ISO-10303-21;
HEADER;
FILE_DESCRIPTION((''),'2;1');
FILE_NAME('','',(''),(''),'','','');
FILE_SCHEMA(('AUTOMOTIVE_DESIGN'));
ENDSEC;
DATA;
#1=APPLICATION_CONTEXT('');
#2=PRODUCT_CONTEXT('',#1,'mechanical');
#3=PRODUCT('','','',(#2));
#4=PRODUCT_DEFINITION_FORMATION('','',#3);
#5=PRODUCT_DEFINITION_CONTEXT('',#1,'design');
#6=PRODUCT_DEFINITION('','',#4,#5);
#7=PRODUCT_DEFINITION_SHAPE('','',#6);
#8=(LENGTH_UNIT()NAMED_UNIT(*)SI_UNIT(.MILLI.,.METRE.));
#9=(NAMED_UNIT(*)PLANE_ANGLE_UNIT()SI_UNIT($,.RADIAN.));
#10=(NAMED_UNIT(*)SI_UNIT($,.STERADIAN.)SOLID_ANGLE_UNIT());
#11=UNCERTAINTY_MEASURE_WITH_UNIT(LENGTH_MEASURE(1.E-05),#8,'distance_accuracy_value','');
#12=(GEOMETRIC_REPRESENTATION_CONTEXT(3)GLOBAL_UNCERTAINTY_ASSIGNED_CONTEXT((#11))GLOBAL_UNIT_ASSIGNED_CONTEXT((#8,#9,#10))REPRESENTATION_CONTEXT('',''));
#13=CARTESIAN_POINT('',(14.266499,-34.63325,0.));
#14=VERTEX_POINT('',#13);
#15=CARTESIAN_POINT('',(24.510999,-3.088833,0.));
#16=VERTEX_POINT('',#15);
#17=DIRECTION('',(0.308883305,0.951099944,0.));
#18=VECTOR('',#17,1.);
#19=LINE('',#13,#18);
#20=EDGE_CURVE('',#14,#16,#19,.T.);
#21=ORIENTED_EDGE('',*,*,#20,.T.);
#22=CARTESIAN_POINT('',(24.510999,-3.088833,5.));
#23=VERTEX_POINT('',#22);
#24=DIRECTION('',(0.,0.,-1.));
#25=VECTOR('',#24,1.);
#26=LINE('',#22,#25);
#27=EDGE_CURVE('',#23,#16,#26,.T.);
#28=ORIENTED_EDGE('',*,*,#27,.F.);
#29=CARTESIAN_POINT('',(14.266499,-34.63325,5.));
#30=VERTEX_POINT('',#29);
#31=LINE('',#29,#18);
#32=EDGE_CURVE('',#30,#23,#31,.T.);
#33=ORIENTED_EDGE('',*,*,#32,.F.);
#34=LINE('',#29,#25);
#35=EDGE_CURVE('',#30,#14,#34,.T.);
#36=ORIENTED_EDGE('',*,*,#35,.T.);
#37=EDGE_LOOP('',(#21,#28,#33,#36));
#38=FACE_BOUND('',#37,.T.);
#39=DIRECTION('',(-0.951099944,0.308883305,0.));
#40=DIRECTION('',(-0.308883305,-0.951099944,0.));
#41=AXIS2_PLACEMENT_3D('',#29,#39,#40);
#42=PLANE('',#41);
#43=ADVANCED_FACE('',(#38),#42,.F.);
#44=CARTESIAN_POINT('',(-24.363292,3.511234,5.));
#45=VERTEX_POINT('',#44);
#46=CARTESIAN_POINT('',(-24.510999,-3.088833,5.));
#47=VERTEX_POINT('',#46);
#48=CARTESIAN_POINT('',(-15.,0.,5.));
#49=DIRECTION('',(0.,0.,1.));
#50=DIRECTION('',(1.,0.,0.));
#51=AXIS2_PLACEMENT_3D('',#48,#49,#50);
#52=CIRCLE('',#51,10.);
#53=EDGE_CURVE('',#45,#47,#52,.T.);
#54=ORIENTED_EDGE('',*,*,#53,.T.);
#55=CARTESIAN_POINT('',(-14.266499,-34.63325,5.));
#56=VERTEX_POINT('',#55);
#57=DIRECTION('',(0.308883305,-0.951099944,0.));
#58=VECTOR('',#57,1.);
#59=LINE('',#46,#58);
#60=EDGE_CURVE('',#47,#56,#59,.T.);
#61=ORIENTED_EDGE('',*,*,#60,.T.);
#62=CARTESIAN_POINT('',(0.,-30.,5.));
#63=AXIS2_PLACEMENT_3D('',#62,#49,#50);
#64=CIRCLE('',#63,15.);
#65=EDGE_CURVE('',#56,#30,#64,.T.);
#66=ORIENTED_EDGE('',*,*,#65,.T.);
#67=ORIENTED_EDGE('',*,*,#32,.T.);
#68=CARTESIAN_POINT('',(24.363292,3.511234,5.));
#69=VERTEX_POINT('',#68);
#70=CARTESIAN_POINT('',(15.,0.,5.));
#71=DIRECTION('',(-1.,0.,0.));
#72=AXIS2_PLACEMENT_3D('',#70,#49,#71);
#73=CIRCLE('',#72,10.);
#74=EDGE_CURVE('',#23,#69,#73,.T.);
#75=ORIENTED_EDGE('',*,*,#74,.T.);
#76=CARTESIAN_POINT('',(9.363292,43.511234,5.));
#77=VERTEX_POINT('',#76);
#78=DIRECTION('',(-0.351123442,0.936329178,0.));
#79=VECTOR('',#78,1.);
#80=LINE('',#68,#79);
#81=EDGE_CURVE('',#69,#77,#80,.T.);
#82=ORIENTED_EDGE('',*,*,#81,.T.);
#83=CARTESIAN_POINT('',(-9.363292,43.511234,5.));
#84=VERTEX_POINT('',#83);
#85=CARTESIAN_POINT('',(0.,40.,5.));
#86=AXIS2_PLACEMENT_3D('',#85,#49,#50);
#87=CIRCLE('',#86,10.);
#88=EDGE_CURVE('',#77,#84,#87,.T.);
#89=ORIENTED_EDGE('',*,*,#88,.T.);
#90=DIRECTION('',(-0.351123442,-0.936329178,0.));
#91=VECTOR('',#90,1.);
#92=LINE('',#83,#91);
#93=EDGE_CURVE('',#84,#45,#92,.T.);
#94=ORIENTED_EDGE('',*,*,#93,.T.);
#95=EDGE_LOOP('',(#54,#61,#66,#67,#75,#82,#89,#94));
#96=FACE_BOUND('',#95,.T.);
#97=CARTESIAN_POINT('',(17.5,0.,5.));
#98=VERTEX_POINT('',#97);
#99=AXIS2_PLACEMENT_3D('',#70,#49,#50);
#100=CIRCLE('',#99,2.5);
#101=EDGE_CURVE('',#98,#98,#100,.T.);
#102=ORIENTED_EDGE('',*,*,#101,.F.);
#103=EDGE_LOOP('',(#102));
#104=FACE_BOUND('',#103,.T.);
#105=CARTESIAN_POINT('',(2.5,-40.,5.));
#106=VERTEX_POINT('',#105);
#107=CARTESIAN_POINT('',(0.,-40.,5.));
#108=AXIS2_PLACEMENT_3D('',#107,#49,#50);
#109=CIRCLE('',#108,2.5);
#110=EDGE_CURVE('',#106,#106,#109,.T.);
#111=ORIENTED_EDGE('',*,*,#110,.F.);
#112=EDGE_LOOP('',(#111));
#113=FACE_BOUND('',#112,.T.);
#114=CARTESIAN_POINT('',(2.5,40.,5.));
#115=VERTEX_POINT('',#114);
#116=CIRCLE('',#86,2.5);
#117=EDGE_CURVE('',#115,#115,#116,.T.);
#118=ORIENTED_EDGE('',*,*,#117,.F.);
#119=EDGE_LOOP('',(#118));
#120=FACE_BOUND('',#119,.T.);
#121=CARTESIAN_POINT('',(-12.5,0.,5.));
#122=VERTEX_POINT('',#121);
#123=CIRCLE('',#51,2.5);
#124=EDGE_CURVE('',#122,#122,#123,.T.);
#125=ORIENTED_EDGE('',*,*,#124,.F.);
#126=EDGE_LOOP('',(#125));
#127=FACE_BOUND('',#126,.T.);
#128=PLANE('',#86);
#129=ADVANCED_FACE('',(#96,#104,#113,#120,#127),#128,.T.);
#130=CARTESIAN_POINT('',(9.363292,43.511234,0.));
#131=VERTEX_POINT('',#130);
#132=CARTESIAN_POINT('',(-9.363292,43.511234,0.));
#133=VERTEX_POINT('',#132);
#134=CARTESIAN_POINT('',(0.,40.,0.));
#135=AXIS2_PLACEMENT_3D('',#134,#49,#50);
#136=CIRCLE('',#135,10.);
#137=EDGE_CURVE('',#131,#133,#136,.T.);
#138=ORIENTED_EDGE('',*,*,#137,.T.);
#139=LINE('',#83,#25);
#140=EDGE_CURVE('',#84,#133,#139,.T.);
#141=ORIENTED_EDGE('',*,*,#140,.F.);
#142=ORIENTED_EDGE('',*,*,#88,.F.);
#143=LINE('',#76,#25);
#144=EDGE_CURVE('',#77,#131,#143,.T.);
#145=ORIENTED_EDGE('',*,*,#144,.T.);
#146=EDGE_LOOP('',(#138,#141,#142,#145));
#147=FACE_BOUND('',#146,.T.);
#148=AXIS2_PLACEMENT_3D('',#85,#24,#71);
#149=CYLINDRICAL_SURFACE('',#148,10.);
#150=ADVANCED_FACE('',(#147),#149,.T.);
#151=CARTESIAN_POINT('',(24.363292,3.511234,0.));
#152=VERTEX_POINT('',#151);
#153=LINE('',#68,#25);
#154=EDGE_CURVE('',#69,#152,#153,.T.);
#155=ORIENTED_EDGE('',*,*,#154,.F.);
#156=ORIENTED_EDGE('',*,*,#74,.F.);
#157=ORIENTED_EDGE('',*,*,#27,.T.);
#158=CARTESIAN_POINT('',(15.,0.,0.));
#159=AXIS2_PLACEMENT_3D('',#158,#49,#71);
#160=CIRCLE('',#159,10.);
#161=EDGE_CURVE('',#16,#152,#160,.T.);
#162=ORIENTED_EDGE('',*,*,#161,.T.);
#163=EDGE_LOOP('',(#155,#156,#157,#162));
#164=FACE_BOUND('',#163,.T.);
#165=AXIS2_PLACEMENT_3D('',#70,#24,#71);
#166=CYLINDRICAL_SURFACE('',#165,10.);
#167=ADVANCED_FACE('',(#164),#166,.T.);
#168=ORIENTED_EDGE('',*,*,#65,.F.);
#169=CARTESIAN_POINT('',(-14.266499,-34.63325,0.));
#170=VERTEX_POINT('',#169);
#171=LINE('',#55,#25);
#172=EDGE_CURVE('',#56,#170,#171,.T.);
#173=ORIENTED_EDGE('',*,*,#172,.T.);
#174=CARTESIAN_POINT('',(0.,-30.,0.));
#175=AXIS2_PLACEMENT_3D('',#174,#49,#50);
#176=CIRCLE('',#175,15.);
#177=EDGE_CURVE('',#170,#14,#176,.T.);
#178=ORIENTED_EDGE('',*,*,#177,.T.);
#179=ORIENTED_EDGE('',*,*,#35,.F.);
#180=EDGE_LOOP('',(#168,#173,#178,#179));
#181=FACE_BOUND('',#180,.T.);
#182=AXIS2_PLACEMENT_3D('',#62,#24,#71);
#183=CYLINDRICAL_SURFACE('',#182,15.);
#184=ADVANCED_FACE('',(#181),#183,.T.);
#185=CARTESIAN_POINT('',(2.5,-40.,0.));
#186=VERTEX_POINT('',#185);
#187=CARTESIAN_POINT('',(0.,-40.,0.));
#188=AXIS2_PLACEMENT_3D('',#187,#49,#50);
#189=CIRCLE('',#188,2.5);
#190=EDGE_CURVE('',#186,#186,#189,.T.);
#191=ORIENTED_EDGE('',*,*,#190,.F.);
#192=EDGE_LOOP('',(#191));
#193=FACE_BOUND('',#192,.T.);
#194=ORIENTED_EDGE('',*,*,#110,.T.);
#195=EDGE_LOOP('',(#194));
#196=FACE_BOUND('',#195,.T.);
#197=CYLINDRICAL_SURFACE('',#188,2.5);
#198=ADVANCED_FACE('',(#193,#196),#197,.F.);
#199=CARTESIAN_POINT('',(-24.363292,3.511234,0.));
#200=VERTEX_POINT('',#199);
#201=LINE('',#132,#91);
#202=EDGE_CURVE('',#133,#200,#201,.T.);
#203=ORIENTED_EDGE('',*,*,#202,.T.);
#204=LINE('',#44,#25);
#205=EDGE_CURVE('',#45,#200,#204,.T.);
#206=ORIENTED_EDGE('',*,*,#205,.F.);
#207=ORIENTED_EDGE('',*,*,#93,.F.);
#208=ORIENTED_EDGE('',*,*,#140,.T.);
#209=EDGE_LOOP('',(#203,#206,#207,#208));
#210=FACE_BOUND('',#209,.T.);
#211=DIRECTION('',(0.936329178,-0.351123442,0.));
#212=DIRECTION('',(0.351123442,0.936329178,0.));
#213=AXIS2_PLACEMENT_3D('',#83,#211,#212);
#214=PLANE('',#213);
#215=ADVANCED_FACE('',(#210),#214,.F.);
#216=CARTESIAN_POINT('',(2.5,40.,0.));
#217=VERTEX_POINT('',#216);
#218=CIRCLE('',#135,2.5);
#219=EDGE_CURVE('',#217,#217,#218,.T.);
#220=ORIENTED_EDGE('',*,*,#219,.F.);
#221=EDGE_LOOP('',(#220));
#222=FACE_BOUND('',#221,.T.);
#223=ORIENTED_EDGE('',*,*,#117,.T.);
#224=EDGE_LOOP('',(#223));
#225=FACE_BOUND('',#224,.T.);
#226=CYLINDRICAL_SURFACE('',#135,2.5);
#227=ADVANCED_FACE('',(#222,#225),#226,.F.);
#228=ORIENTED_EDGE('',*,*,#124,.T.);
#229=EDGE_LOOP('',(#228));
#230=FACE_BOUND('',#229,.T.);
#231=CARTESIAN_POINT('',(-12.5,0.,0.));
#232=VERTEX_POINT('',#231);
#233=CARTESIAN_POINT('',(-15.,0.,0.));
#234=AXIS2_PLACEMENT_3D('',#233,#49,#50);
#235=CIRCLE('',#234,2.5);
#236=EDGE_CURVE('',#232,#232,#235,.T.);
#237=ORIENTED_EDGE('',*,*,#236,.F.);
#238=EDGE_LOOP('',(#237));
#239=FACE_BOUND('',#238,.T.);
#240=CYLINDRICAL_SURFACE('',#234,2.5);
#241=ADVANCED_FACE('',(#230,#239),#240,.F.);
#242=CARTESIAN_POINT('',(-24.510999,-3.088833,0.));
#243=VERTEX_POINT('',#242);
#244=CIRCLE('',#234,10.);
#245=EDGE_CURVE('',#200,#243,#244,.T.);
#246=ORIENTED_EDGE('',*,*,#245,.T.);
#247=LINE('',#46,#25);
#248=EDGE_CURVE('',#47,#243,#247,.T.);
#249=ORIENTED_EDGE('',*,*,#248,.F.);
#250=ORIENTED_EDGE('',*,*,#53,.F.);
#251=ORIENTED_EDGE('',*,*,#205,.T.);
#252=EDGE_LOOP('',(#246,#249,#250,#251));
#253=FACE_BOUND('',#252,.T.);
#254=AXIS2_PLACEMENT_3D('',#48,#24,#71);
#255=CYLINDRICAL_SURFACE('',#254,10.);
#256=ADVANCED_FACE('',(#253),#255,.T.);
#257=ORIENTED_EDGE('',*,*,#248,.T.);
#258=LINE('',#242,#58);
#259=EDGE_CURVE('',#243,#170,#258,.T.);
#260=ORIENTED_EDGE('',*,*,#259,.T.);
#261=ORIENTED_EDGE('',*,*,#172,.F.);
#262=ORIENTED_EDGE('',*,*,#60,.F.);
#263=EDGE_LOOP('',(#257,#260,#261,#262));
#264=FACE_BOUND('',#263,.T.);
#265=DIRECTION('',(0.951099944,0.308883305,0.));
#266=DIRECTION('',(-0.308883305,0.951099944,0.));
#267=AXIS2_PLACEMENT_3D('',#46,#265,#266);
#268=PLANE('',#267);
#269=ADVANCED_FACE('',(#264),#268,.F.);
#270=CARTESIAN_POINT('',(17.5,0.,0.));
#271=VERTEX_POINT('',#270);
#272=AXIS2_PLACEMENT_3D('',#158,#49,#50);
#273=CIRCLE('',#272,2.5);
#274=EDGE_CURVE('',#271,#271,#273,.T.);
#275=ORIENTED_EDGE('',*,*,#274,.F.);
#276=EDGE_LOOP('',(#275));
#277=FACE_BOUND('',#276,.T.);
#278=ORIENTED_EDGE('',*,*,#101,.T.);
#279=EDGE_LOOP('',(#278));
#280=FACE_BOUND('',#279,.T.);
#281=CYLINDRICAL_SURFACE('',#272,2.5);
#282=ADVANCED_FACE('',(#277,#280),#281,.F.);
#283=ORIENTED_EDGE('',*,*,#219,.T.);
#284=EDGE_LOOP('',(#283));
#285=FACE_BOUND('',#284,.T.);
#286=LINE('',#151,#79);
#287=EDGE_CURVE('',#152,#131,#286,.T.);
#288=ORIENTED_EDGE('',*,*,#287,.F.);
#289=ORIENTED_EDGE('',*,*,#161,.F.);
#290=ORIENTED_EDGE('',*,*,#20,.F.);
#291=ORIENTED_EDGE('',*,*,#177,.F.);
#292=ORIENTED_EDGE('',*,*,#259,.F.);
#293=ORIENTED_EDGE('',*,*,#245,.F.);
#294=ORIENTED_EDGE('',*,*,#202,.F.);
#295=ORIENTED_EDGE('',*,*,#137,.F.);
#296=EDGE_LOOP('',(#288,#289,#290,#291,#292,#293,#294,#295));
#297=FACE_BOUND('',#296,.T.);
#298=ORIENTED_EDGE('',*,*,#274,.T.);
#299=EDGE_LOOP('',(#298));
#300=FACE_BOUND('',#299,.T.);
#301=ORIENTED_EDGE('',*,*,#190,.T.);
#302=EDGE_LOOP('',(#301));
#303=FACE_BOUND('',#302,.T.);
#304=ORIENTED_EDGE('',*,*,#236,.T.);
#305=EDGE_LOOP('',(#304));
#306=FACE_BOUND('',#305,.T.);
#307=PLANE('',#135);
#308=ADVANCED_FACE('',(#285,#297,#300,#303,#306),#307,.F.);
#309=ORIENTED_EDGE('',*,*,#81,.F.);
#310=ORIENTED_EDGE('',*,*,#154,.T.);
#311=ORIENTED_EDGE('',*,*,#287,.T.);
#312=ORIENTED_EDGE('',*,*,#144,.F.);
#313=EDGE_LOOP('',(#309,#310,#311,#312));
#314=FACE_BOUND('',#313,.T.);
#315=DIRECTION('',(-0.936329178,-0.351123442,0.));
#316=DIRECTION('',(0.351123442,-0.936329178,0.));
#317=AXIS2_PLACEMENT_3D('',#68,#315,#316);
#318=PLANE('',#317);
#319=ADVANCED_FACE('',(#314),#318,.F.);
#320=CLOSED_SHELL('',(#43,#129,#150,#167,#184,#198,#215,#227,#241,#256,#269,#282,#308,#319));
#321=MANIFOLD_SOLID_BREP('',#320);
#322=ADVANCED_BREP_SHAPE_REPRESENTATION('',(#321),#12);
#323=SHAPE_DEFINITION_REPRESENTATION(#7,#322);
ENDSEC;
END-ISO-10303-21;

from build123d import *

# Parameters (mm, degrees)
BOSS_EXTRUDE1_DEPTH = 5
SKETCH2_R           = 2.5
CUT_EXTRUDE1_DEPTH  = 6


with BuildPart() as part:
    # Sketch1 → Boss-Extrude1 (new body)
    with BuildSketch(Plane.XY):
        with BuildLine():
            Line((24.363291776, 3.511234416), (9.363291776, 43.511234416))
            ThreePointArc((9.363291776, 43.511234416), (0, 50), (-9.363291776, 43.511234416))
            Line((-9.363291776, 43.511234416), (-24.363291776, 3.511234416))
            ThreePointArc((-24.363291776, 3.511234416), (-24.997496681, 0.223741181), (-24.510999441, -3.088833054))
            Line((-24.510999441, -3.088833054), (-14.266499161, -34.633249581))
            ThreePointArc((-14.266499161, -34.633249581), (0, -45), (14.266499161, -34.633249581))
            Line((14.266499161, -34.633249581), (24.510999441, -3.088833054))
            ThreePointArc((24.510999441, -3.088833054), (24.997496681, 0.223741181), (24.363291776, 3.511234416))
        make_face()
    extrude(amount=BOSS_EXTRUDE1_DEPTH)

    # Sketch2 → Cut-Extrude1 (cut, through all)
    with BuildSketch(Plane.XY.offset(5)):
        with Locations((0, 40)):
            Circle(SKETCH2_R)
        with Locations((0, -40)):
            Circle(SKETCH2_R)
        with Locations((15, 0)):
            Circle(SKETCH2_R)
        with Locations((-15, 0)):
            Circle(SKETCH2_R)
    extrude(amount=-CUT_EXTRUDE1_DEPTH, mode=Mode.SUBTRACT)


solid = part.part
